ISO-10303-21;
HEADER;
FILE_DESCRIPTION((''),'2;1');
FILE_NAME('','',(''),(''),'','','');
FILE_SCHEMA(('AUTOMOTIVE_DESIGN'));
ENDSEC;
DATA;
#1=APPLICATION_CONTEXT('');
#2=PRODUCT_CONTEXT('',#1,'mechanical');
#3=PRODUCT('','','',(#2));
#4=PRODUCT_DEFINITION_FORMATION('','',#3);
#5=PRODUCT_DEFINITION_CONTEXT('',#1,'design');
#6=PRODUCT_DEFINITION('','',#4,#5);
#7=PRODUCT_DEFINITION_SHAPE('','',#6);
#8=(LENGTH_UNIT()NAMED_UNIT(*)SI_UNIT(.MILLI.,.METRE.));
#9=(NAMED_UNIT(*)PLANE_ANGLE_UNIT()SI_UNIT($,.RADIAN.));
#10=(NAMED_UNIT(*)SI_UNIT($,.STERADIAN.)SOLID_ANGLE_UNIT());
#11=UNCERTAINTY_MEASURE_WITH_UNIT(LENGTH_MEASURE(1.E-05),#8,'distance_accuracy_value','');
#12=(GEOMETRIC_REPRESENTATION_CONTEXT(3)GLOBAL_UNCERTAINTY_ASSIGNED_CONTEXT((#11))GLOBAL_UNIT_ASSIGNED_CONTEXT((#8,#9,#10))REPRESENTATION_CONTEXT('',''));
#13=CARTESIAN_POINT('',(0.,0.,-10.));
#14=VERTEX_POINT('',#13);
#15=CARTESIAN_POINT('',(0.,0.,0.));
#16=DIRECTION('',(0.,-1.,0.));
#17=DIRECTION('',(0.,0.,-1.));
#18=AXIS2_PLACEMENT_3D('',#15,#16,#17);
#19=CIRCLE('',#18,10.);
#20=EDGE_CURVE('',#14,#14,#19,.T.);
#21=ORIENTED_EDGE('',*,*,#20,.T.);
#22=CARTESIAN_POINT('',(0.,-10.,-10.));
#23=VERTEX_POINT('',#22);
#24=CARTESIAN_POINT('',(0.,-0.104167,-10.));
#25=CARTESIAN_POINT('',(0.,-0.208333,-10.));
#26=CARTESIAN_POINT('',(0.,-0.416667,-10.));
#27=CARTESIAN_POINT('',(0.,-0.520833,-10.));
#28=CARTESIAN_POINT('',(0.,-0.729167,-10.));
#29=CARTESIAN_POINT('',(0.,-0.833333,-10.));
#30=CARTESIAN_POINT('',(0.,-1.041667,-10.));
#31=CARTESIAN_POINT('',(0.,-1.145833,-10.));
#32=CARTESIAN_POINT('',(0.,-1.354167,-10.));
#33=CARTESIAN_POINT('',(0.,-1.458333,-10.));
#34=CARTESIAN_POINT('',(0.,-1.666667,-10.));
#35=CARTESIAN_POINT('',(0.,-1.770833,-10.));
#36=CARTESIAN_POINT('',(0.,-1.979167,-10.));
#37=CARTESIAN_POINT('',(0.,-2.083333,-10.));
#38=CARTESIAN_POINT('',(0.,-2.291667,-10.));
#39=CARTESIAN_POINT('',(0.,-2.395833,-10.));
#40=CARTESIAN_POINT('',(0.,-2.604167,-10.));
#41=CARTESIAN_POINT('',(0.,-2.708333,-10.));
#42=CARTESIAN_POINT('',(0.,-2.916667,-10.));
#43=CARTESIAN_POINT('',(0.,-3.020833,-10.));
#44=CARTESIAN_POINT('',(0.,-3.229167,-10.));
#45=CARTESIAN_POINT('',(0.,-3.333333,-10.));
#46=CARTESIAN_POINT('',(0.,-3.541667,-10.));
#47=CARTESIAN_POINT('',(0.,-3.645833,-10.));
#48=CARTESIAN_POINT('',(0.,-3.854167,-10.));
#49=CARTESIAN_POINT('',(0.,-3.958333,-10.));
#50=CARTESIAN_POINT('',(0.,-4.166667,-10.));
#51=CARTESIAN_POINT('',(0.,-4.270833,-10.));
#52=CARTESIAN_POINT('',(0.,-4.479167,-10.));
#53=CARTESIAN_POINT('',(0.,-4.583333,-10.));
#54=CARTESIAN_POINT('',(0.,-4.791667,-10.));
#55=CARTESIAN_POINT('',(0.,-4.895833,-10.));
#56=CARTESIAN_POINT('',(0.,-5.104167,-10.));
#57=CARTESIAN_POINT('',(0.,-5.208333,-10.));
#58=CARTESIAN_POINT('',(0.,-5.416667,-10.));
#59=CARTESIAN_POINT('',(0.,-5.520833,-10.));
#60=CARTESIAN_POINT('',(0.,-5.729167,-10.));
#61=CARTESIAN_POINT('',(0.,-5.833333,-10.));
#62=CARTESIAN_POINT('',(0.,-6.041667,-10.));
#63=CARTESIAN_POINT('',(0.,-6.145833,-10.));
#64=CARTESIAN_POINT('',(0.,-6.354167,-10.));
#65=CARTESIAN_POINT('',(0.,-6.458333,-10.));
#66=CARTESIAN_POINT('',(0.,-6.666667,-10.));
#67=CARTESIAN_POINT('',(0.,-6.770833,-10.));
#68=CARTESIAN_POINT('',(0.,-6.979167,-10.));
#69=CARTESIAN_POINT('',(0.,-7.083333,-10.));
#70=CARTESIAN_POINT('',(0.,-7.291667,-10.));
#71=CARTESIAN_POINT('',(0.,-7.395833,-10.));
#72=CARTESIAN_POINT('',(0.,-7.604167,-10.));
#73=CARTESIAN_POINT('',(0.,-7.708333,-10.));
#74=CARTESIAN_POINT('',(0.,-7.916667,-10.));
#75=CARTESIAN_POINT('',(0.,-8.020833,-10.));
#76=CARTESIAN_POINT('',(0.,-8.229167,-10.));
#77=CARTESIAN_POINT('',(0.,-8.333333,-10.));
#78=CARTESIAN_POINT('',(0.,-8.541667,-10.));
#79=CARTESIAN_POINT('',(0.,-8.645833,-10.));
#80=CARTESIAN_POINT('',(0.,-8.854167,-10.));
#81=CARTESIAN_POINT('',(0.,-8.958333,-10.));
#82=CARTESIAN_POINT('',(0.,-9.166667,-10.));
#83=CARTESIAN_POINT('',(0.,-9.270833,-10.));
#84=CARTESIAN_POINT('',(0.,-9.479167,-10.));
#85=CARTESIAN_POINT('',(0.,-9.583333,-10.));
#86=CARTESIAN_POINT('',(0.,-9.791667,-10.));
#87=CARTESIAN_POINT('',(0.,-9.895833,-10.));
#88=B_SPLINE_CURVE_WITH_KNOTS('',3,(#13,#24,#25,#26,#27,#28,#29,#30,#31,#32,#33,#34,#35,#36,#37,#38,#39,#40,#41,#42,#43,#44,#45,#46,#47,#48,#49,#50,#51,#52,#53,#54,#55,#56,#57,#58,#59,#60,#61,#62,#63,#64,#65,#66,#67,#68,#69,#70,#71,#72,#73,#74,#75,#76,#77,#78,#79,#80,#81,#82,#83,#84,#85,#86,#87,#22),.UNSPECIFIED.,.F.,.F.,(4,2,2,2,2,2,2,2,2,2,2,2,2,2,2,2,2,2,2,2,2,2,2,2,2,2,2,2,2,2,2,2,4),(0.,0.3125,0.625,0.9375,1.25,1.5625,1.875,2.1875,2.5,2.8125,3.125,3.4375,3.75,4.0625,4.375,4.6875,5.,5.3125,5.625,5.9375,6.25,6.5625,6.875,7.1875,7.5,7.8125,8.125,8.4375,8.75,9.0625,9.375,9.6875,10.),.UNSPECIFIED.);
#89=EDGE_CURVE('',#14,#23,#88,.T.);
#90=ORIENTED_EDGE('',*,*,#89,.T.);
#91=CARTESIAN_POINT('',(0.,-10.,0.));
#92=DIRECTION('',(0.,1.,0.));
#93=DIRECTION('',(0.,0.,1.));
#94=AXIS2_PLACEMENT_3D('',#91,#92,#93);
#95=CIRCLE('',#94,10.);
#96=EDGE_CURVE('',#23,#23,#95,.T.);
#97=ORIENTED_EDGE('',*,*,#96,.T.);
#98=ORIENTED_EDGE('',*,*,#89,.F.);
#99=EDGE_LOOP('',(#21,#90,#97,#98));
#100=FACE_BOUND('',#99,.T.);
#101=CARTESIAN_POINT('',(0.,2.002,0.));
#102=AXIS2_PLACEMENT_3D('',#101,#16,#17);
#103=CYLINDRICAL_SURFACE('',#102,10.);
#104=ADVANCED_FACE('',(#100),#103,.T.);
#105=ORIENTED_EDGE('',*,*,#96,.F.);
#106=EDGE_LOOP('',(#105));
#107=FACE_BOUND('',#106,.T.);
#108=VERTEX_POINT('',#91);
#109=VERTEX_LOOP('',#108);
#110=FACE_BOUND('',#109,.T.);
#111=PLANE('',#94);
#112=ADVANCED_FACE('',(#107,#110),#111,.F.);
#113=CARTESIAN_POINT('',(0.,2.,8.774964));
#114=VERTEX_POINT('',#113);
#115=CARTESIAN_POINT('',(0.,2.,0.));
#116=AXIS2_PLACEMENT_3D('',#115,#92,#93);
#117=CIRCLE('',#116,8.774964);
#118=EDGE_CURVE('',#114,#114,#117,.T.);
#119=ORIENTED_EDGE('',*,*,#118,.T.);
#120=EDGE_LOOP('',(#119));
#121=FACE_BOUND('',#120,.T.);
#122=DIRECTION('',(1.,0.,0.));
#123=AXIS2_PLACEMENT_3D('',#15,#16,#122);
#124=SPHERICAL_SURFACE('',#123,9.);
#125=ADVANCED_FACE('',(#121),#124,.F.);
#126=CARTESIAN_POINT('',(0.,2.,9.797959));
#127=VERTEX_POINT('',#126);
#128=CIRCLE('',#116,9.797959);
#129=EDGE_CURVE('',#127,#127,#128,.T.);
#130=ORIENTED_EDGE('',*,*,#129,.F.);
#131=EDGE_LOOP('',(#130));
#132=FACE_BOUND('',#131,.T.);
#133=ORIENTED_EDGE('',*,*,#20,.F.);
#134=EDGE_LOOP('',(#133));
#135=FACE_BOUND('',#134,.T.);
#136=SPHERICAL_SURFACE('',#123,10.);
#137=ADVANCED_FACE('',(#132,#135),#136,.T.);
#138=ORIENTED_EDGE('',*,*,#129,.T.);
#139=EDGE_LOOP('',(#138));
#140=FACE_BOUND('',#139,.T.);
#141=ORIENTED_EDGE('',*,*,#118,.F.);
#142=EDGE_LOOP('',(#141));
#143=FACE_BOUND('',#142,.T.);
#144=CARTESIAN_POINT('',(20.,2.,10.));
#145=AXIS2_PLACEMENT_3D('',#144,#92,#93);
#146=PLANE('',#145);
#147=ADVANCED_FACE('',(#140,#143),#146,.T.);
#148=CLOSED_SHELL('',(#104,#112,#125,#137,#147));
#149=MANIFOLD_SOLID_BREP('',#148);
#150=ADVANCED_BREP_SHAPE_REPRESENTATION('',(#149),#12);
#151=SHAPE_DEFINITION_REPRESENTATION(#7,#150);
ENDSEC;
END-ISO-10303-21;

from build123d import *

# Parameters (mm, degrees)
CUT_EXTRUDE1_DEPTH       = 20
CUT_EXTRUDE1_DEPTH_BACK  = 20
SKETCH3_W                = 20
SKETCH3_H                = 10
SHELL1_T                 = -1
BOSS_EXTRUDE1_REACH      = 20.547
BOSS_EXTRUDE1_END_RADIUS = 10
SKETCH5_R                = 10


with BuildPart() as part:
    # Sketch2 → Revolve1 (revolve)
    with BuildSketch(Plane.XY):
        with BuildLine():
            Line((0, -10), (0, 10))
            ThreePointArc((0, 10), (10, 0), (0, -10))
        make_face()
    revolve(axis=Axis((0, -10, 0), (0, 1, 0)))

    # Sketch3 → Cut-Extrude1 (cut, two sides: drawn at the far end of the back side and taken through both)
    with BuildSketch(Plane(origin=(0, 0, 0), x_dir=(0, 0, -1), z_dir=(1, 0, 0)).offset(-CUT_EXTRUDE1_DEPTH_BACK)):
        with Locations((0, 7)):
            Rectangle(SKETCH3_W, SKETCH3_H)
    extrude(amount=CUT_EXTRUDE1_DEPTH + CUT_EXTRUDE1_DEPTH_BACK, mode=Mode.SUBTRACT)

    # Shell1
    shell1_openings = [part.faces().sort_by_distance(p)[0] for p in [
        (0, 2, 0),
    ]]
    offset(amount=SHELL1_T, openings=shell1_openings, kind=Kind.INTERSECTION)

    # Boss-Extrude1: up to this sphere (the profile starts outside it)
    boss_extrude1_end = Location((0, 0, 0)) * Sphere(BOSS_EXTRUDE1_END_RADIUS, mode=Mode.PRIVATE)
    # Sketch5 → Boss-Extrude1 (add, up to the surface)
    with BuildSketch(Plane(origin=(0, -10, 0), x_dir=(1, 0, 0), z_dir=(0, 1, 0)), mode=Mode.PRIVATE) as boss_extrude1_sk1:
        with Locations(Location((0, 0, 0), (0, 0, 90))):
            Circle(SKETCH5_R)
    boss_extrude1_tool1 = extrude(boss_extrude1_sk1.sketch, amount=BOSS_EXTRUDE1_REACH, mode=Mode.PRIVATE) - boss_extrude1_end
    add(boss_extrude1_tool1.solids().sort_by_distance((0, -10, 0))[0])


solid = part.part
